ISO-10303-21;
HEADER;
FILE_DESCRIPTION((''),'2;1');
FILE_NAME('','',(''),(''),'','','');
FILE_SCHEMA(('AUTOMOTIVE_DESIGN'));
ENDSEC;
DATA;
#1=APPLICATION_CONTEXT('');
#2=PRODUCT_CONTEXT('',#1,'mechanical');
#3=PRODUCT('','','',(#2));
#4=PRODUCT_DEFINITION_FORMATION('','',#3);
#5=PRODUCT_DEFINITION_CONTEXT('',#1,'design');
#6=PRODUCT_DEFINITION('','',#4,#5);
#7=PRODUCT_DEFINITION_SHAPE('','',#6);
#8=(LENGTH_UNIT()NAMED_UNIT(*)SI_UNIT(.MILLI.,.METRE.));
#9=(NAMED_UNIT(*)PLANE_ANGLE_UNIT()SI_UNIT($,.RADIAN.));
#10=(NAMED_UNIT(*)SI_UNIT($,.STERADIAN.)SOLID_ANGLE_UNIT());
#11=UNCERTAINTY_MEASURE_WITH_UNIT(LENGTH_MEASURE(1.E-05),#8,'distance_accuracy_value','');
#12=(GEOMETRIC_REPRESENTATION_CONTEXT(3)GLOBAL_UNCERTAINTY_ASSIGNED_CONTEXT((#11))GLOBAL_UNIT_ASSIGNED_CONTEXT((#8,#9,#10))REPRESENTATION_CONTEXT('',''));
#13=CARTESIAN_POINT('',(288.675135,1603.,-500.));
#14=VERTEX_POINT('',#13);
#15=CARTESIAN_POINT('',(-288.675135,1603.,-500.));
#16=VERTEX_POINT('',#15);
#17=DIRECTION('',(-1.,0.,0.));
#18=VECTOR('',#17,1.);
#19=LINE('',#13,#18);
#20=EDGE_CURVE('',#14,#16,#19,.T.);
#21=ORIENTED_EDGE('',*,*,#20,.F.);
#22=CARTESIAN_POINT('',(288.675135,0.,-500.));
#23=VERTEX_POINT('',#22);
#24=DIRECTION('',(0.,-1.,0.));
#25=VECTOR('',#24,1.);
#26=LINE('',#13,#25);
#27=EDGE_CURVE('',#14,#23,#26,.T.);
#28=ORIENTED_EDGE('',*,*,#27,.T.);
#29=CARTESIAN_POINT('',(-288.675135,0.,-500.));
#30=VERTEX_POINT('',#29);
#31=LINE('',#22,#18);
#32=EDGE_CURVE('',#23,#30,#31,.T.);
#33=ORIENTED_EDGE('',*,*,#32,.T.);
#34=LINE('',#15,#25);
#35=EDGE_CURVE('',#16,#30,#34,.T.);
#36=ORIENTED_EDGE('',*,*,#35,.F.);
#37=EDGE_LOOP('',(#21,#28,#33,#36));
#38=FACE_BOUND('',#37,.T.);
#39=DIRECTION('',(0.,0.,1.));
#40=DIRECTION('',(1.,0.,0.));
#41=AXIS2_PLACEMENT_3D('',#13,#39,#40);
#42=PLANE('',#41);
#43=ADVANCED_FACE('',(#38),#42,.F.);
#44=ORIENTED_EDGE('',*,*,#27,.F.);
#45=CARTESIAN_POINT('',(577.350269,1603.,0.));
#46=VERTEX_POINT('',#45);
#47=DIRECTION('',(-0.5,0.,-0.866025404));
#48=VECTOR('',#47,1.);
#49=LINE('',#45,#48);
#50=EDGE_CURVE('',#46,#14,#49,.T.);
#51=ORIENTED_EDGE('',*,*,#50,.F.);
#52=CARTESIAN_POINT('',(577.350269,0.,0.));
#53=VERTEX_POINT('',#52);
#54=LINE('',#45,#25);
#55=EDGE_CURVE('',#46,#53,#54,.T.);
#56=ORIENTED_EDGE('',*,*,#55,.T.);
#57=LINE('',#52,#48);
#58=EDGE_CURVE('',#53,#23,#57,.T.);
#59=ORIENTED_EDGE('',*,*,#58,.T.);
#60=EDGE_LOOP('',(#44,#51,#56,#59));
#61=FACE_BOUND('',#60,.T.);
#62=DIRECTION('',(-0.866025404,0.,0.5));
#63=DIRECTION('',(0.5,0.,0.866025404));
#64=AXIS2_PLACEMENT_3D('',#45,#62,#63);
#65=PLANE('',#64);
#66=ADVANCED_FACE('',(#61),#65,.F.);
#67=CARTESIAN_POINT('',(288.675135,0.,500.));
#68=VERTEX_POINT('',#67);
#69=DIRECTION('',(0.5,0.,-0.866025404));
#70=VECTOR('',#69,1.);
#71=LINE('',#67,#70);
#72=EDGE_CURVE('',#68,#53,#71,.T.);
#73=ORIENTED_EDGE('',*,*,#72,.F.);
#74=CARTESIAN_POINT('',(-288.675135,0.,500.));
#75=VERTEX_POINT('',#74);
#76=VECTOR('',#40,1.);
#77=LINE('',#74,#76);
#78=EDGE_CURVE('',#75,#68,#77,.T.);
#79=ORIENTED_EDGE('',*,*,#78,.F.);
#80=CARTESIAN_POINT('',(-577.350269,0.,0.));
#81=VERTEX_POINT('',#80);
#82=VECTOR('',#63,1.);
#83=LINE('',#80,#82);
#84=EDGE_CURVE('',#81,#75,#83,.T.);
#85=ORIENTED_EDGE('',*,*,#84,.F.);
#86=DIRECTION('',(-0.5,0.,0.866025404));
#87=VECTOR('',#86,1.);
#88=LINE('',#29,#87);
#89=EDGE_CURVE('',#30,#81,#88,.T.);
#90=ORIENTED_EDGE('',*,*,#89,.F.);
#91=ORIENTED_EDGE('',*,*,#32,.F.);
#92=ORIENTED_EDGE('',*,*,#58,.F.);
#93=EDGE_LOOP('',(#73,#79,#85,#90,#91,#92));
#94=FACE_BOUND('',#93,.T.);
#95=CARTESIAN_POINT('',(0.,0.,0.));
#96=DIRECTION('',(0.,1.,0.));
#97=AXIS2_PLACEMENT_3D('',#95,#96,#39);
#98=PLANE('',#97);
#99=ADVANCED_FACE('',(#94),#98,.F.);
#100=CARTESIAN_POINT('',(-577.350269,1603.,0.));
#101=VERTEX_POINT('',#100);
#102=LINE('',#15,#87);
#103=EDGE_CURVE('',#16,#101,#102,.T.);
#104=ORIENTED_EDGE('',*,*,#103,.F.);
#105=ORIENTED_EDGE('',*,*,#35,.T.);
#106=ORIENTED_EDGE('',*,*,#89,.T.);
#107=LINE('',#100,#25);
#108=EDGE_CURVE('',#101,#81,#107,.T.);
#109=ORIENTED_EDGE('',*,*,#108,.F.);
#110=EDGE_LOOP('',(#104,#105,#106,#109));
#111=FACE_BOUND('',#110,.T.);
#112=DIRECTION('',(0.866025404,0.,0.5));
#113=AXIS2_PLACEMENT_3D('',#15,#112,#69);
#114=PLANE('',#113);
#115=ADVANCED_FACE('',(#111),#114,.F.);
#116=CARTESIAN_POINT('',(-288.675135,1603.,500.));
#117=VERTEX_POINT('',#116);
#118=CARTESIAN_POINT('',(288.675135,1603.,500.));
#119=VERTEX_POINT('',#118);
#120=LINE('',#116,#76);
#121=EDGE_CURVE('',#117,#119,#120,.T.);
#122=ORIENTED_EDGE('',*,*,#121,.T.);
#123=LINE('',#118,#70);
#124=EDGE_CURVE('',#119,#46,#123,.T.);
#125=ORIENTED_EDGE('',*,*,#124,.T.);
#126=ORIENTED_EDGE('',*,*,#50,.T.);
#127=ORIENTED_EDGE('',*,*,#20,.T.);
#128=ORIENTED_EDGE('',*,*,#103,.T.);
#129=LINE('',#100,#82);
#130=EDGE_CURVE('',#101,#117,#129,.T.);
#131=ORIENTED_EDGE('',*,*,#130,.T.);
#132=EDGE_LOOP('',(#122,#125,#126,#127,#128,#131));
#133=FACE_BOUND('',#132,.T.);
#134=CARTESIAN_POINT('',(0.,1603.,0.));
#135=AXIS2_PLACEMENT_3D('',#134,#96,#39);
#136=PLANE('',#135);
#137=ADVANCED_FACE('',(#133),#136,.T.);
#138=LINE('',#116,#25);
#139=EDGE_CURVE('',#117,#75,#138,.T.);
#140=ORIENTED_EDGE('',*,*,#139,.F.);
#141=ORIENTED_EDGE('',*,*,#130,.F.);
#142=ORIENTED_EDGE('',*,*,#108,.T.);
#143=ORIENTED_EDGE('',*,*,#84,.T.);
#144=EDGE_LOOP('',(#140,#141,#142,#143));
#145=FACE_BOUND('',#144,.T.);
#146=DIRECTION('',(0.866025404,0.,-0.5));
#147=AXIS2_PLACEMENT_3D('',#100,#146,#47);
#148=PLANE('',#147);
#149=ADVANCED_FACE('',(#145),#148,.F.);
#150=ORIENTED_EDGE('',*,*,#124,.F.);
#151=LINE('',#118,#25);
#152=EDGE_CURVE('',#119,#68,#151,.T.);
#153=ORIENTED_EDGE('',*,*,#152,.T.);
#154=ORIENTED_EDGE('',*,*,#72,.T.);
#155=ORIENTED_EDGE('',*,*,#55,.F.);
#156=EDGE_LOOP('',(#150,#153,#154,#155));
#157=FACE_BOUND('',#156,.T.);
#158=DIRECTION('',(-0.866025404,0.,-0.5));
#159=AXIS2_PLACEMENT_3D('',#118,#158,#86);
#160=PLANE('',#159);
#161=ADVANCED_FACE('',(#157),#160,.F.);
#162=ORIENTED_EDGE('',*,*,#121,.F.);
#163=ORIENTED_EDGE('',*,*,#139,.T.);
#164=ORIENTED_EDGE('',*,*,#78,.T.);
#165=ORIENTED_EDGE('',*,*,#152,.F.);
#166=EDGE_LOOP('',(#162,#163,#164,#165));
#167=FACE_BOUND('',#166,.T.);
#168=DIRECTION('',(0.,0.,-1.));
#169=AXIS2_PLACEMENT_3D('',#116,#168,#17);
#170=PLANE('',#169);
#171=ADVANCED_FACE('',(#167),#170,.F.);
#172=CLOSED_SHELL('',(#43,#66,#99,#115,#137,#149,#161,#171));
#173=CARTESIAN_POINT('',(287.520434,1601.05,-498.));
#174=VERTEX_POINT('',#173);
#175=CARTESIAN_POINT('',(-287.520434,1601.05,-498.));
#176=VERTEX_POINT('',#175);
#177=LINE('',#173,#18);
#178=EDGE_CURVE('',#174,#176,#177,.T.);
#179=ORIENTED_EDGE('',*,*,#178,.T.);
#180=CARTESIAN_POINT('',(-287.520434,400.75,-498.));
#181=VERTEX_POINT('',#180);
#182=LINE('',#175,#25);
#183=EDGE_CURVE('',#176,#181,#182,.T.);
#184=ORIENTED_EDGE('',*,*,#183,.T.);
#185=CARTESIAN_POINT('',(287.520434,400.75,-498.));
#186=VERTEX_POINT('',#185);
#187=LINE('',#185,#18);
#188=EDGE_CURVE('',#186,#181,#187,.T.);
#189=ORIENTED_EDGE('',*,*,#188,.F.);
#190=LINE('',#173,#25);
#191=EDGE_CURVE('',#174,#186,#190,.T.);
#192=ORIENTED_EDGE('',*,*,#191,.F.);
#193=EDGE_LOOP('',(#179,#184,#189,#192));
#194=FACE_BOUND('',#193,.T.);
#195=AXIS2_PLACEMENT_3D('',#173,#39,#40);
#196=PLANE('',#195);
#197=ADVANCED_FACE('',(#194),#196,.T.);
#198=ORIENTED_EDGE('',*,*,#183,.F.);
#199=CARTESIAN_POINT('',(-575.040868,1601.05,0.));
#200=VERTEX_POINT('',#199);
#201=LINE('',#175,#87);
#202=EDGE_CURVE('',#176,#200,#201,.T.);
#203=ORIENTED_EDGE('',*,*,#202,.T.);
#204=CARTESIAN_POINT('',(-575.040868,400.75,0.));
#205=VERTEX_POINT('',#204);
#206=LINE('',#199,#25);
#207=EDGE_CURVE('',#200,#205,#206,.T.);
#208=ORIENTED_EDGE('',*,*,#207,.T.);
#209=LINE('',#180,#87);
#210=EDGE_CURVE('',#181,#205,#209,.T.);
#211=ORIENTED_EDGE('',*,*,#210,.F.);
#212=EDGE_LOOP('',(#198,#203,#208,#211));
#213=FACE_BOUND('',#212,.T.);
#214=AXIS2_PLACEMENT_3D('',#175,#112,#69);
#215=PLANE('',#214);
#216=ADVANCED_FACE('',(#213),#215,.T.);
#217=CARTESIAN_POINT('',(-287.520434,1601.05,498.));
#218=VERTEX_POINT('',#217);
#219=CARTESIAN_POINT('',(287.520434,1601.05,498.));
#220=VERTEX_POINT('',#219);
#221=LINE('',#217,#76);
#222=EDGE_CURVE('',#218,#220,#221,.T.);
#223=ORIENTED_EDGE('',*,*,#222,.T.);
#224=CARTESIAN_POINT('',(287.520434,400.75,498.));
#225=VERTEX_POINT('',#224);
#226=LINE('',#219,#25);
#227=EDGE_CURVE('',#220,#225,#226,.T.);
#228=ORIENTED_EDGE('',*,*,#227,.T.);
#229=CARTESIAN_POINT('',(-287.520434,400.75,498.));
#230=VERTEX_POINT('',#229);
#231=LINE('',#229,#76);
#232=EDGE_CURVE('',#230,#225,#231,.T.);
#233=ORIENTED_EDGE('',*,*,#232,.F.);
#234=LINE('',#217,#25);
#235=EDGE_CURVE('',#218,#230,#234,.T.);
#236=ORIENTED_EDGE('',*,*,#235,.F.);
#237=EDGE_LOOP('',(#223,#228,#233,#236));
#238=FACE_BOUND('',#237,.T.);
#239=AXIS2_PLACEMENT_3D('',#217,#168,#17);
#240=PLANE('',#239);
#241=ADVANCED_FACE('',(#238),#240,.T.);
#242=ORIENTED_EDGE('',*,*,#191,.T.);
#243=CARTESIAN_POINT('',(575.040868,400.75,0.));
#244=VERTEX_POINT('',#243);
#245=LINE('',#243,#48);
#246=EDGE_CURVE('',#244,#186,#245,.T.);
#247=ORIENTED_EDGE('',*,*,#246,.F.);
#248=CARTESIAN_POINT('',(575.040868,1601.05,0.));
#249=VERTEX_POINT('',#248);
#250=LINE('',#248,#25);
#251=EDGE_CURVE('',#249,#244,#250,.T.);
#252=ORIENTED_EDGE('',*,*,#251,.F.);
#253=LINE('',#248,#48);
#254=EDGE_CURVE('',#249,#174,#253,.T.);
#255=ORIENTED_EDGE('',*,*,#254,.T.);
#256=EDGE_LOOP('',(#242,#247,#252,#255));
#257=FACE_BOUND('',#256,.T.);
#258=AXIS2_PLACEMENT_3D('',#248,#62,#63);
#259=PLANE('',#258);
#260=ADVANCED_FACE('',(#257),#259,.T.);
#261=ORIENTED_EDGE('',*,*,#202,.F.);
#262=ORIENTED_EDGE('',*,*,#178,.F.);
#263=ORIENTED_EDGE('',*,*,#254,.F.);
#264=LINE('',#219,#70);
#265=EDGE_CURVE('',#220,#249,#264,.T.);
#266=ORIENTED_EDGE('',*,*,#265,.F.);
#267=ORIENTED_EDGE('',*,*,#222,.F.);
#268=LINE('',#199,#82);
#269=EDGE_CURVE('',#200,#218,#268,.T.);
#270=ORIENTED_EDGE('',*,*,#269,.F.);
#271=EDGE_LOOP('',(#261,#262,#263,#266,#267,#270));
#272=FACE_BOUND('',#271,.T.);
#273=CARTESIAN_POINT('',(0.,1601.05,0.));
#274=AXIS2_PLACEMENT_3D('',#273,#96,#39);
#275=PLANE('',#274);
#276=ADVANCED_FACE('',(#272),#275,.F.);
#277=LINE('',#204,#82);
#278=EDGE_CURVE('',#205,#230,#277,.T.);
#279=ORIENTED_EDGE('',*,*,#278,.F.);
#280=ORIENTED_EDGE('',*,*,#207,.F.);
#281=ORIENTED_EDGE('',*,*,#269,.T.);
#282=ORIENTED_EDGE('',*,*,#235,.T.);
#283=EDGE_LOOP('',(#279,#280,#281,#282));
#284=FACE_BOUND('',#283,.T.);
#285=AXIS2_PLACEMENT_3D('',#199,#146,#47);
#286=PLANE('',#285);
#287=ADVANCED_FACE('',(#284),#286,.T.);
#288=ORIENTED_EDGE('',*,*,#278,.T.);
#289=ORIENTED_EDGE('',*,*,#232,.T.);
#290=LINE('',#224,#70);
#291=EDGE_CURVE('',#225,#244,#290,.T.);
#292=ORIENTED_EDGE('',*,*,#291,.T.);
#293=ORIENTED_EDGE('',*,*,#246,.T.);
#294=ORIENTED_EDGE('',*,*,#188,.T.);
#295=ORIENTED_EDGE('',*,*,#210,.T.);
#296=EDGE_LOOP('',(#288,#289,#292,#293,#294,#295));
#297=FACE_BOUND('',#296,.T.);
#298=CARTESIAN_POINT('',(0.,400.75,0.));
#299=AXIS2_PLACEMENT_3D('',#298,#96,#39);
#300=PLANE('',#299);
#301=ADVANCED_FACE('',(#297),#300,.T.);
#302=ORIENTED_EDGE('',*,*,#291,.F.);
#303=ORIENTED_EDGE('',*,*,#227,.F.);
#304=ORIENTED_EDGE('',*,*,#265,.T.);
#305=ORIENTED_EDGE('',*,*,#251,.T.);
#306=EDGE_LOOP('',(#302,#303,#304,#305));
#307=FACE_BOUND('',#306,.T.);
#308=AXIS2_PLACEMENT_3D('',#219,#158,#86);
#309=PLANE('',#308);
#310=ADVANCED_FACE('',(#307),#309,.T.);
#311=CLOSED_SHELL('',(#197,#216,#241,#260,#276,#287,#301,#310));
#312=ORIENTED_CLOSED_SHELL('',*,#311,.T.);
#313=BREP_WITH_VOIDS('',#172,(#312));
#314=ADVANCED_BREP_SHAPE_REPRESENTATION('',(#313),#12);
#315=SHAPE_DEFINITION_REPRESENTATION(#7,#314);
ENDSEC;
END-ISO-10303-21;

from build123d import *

# Parameters (mm, degrees)
BOSS_EXTRUDE1_DEPTH = 1603
CUT_EXTRUDE1_DEPTH  = 1200.3


with BuildPart() as part:
    # Sketch2 → Boss-Extrude1 (new body)
    with BuildSketch(Plane(origin=(0, 0, 0), x_dir=(1, 0, 0), z_dir=(0, 1, 0))):
        Polygon((577.35026919, 0), (288.675134595, 500), (-288.675134595, 500), (-577.35026919, 0), (-288.675134595, -500), (288.675134595, -500), align=None)
    extrude(amount=BOSS_EXTRUDE1_DEPTH)

    # Sketch3 → Cut-Extrude1 (cut)
    with BuildSketch(Plane(origin=(0, 400.75, 0), x_dir=(1, 0, 0), z_dir=(0, 1, 0))):
        Polygon((575.040868113, 0), (287.520434056, 498), (-287.520434056, 498), (-575.040868113, 0), (-287.520434056, -498), (287.520434056, -498), align=None)
    extrude(amount=CUT_EXTRUDE1_DEPTH, mode=Mode.SUBTRACT)


solid = part.part
